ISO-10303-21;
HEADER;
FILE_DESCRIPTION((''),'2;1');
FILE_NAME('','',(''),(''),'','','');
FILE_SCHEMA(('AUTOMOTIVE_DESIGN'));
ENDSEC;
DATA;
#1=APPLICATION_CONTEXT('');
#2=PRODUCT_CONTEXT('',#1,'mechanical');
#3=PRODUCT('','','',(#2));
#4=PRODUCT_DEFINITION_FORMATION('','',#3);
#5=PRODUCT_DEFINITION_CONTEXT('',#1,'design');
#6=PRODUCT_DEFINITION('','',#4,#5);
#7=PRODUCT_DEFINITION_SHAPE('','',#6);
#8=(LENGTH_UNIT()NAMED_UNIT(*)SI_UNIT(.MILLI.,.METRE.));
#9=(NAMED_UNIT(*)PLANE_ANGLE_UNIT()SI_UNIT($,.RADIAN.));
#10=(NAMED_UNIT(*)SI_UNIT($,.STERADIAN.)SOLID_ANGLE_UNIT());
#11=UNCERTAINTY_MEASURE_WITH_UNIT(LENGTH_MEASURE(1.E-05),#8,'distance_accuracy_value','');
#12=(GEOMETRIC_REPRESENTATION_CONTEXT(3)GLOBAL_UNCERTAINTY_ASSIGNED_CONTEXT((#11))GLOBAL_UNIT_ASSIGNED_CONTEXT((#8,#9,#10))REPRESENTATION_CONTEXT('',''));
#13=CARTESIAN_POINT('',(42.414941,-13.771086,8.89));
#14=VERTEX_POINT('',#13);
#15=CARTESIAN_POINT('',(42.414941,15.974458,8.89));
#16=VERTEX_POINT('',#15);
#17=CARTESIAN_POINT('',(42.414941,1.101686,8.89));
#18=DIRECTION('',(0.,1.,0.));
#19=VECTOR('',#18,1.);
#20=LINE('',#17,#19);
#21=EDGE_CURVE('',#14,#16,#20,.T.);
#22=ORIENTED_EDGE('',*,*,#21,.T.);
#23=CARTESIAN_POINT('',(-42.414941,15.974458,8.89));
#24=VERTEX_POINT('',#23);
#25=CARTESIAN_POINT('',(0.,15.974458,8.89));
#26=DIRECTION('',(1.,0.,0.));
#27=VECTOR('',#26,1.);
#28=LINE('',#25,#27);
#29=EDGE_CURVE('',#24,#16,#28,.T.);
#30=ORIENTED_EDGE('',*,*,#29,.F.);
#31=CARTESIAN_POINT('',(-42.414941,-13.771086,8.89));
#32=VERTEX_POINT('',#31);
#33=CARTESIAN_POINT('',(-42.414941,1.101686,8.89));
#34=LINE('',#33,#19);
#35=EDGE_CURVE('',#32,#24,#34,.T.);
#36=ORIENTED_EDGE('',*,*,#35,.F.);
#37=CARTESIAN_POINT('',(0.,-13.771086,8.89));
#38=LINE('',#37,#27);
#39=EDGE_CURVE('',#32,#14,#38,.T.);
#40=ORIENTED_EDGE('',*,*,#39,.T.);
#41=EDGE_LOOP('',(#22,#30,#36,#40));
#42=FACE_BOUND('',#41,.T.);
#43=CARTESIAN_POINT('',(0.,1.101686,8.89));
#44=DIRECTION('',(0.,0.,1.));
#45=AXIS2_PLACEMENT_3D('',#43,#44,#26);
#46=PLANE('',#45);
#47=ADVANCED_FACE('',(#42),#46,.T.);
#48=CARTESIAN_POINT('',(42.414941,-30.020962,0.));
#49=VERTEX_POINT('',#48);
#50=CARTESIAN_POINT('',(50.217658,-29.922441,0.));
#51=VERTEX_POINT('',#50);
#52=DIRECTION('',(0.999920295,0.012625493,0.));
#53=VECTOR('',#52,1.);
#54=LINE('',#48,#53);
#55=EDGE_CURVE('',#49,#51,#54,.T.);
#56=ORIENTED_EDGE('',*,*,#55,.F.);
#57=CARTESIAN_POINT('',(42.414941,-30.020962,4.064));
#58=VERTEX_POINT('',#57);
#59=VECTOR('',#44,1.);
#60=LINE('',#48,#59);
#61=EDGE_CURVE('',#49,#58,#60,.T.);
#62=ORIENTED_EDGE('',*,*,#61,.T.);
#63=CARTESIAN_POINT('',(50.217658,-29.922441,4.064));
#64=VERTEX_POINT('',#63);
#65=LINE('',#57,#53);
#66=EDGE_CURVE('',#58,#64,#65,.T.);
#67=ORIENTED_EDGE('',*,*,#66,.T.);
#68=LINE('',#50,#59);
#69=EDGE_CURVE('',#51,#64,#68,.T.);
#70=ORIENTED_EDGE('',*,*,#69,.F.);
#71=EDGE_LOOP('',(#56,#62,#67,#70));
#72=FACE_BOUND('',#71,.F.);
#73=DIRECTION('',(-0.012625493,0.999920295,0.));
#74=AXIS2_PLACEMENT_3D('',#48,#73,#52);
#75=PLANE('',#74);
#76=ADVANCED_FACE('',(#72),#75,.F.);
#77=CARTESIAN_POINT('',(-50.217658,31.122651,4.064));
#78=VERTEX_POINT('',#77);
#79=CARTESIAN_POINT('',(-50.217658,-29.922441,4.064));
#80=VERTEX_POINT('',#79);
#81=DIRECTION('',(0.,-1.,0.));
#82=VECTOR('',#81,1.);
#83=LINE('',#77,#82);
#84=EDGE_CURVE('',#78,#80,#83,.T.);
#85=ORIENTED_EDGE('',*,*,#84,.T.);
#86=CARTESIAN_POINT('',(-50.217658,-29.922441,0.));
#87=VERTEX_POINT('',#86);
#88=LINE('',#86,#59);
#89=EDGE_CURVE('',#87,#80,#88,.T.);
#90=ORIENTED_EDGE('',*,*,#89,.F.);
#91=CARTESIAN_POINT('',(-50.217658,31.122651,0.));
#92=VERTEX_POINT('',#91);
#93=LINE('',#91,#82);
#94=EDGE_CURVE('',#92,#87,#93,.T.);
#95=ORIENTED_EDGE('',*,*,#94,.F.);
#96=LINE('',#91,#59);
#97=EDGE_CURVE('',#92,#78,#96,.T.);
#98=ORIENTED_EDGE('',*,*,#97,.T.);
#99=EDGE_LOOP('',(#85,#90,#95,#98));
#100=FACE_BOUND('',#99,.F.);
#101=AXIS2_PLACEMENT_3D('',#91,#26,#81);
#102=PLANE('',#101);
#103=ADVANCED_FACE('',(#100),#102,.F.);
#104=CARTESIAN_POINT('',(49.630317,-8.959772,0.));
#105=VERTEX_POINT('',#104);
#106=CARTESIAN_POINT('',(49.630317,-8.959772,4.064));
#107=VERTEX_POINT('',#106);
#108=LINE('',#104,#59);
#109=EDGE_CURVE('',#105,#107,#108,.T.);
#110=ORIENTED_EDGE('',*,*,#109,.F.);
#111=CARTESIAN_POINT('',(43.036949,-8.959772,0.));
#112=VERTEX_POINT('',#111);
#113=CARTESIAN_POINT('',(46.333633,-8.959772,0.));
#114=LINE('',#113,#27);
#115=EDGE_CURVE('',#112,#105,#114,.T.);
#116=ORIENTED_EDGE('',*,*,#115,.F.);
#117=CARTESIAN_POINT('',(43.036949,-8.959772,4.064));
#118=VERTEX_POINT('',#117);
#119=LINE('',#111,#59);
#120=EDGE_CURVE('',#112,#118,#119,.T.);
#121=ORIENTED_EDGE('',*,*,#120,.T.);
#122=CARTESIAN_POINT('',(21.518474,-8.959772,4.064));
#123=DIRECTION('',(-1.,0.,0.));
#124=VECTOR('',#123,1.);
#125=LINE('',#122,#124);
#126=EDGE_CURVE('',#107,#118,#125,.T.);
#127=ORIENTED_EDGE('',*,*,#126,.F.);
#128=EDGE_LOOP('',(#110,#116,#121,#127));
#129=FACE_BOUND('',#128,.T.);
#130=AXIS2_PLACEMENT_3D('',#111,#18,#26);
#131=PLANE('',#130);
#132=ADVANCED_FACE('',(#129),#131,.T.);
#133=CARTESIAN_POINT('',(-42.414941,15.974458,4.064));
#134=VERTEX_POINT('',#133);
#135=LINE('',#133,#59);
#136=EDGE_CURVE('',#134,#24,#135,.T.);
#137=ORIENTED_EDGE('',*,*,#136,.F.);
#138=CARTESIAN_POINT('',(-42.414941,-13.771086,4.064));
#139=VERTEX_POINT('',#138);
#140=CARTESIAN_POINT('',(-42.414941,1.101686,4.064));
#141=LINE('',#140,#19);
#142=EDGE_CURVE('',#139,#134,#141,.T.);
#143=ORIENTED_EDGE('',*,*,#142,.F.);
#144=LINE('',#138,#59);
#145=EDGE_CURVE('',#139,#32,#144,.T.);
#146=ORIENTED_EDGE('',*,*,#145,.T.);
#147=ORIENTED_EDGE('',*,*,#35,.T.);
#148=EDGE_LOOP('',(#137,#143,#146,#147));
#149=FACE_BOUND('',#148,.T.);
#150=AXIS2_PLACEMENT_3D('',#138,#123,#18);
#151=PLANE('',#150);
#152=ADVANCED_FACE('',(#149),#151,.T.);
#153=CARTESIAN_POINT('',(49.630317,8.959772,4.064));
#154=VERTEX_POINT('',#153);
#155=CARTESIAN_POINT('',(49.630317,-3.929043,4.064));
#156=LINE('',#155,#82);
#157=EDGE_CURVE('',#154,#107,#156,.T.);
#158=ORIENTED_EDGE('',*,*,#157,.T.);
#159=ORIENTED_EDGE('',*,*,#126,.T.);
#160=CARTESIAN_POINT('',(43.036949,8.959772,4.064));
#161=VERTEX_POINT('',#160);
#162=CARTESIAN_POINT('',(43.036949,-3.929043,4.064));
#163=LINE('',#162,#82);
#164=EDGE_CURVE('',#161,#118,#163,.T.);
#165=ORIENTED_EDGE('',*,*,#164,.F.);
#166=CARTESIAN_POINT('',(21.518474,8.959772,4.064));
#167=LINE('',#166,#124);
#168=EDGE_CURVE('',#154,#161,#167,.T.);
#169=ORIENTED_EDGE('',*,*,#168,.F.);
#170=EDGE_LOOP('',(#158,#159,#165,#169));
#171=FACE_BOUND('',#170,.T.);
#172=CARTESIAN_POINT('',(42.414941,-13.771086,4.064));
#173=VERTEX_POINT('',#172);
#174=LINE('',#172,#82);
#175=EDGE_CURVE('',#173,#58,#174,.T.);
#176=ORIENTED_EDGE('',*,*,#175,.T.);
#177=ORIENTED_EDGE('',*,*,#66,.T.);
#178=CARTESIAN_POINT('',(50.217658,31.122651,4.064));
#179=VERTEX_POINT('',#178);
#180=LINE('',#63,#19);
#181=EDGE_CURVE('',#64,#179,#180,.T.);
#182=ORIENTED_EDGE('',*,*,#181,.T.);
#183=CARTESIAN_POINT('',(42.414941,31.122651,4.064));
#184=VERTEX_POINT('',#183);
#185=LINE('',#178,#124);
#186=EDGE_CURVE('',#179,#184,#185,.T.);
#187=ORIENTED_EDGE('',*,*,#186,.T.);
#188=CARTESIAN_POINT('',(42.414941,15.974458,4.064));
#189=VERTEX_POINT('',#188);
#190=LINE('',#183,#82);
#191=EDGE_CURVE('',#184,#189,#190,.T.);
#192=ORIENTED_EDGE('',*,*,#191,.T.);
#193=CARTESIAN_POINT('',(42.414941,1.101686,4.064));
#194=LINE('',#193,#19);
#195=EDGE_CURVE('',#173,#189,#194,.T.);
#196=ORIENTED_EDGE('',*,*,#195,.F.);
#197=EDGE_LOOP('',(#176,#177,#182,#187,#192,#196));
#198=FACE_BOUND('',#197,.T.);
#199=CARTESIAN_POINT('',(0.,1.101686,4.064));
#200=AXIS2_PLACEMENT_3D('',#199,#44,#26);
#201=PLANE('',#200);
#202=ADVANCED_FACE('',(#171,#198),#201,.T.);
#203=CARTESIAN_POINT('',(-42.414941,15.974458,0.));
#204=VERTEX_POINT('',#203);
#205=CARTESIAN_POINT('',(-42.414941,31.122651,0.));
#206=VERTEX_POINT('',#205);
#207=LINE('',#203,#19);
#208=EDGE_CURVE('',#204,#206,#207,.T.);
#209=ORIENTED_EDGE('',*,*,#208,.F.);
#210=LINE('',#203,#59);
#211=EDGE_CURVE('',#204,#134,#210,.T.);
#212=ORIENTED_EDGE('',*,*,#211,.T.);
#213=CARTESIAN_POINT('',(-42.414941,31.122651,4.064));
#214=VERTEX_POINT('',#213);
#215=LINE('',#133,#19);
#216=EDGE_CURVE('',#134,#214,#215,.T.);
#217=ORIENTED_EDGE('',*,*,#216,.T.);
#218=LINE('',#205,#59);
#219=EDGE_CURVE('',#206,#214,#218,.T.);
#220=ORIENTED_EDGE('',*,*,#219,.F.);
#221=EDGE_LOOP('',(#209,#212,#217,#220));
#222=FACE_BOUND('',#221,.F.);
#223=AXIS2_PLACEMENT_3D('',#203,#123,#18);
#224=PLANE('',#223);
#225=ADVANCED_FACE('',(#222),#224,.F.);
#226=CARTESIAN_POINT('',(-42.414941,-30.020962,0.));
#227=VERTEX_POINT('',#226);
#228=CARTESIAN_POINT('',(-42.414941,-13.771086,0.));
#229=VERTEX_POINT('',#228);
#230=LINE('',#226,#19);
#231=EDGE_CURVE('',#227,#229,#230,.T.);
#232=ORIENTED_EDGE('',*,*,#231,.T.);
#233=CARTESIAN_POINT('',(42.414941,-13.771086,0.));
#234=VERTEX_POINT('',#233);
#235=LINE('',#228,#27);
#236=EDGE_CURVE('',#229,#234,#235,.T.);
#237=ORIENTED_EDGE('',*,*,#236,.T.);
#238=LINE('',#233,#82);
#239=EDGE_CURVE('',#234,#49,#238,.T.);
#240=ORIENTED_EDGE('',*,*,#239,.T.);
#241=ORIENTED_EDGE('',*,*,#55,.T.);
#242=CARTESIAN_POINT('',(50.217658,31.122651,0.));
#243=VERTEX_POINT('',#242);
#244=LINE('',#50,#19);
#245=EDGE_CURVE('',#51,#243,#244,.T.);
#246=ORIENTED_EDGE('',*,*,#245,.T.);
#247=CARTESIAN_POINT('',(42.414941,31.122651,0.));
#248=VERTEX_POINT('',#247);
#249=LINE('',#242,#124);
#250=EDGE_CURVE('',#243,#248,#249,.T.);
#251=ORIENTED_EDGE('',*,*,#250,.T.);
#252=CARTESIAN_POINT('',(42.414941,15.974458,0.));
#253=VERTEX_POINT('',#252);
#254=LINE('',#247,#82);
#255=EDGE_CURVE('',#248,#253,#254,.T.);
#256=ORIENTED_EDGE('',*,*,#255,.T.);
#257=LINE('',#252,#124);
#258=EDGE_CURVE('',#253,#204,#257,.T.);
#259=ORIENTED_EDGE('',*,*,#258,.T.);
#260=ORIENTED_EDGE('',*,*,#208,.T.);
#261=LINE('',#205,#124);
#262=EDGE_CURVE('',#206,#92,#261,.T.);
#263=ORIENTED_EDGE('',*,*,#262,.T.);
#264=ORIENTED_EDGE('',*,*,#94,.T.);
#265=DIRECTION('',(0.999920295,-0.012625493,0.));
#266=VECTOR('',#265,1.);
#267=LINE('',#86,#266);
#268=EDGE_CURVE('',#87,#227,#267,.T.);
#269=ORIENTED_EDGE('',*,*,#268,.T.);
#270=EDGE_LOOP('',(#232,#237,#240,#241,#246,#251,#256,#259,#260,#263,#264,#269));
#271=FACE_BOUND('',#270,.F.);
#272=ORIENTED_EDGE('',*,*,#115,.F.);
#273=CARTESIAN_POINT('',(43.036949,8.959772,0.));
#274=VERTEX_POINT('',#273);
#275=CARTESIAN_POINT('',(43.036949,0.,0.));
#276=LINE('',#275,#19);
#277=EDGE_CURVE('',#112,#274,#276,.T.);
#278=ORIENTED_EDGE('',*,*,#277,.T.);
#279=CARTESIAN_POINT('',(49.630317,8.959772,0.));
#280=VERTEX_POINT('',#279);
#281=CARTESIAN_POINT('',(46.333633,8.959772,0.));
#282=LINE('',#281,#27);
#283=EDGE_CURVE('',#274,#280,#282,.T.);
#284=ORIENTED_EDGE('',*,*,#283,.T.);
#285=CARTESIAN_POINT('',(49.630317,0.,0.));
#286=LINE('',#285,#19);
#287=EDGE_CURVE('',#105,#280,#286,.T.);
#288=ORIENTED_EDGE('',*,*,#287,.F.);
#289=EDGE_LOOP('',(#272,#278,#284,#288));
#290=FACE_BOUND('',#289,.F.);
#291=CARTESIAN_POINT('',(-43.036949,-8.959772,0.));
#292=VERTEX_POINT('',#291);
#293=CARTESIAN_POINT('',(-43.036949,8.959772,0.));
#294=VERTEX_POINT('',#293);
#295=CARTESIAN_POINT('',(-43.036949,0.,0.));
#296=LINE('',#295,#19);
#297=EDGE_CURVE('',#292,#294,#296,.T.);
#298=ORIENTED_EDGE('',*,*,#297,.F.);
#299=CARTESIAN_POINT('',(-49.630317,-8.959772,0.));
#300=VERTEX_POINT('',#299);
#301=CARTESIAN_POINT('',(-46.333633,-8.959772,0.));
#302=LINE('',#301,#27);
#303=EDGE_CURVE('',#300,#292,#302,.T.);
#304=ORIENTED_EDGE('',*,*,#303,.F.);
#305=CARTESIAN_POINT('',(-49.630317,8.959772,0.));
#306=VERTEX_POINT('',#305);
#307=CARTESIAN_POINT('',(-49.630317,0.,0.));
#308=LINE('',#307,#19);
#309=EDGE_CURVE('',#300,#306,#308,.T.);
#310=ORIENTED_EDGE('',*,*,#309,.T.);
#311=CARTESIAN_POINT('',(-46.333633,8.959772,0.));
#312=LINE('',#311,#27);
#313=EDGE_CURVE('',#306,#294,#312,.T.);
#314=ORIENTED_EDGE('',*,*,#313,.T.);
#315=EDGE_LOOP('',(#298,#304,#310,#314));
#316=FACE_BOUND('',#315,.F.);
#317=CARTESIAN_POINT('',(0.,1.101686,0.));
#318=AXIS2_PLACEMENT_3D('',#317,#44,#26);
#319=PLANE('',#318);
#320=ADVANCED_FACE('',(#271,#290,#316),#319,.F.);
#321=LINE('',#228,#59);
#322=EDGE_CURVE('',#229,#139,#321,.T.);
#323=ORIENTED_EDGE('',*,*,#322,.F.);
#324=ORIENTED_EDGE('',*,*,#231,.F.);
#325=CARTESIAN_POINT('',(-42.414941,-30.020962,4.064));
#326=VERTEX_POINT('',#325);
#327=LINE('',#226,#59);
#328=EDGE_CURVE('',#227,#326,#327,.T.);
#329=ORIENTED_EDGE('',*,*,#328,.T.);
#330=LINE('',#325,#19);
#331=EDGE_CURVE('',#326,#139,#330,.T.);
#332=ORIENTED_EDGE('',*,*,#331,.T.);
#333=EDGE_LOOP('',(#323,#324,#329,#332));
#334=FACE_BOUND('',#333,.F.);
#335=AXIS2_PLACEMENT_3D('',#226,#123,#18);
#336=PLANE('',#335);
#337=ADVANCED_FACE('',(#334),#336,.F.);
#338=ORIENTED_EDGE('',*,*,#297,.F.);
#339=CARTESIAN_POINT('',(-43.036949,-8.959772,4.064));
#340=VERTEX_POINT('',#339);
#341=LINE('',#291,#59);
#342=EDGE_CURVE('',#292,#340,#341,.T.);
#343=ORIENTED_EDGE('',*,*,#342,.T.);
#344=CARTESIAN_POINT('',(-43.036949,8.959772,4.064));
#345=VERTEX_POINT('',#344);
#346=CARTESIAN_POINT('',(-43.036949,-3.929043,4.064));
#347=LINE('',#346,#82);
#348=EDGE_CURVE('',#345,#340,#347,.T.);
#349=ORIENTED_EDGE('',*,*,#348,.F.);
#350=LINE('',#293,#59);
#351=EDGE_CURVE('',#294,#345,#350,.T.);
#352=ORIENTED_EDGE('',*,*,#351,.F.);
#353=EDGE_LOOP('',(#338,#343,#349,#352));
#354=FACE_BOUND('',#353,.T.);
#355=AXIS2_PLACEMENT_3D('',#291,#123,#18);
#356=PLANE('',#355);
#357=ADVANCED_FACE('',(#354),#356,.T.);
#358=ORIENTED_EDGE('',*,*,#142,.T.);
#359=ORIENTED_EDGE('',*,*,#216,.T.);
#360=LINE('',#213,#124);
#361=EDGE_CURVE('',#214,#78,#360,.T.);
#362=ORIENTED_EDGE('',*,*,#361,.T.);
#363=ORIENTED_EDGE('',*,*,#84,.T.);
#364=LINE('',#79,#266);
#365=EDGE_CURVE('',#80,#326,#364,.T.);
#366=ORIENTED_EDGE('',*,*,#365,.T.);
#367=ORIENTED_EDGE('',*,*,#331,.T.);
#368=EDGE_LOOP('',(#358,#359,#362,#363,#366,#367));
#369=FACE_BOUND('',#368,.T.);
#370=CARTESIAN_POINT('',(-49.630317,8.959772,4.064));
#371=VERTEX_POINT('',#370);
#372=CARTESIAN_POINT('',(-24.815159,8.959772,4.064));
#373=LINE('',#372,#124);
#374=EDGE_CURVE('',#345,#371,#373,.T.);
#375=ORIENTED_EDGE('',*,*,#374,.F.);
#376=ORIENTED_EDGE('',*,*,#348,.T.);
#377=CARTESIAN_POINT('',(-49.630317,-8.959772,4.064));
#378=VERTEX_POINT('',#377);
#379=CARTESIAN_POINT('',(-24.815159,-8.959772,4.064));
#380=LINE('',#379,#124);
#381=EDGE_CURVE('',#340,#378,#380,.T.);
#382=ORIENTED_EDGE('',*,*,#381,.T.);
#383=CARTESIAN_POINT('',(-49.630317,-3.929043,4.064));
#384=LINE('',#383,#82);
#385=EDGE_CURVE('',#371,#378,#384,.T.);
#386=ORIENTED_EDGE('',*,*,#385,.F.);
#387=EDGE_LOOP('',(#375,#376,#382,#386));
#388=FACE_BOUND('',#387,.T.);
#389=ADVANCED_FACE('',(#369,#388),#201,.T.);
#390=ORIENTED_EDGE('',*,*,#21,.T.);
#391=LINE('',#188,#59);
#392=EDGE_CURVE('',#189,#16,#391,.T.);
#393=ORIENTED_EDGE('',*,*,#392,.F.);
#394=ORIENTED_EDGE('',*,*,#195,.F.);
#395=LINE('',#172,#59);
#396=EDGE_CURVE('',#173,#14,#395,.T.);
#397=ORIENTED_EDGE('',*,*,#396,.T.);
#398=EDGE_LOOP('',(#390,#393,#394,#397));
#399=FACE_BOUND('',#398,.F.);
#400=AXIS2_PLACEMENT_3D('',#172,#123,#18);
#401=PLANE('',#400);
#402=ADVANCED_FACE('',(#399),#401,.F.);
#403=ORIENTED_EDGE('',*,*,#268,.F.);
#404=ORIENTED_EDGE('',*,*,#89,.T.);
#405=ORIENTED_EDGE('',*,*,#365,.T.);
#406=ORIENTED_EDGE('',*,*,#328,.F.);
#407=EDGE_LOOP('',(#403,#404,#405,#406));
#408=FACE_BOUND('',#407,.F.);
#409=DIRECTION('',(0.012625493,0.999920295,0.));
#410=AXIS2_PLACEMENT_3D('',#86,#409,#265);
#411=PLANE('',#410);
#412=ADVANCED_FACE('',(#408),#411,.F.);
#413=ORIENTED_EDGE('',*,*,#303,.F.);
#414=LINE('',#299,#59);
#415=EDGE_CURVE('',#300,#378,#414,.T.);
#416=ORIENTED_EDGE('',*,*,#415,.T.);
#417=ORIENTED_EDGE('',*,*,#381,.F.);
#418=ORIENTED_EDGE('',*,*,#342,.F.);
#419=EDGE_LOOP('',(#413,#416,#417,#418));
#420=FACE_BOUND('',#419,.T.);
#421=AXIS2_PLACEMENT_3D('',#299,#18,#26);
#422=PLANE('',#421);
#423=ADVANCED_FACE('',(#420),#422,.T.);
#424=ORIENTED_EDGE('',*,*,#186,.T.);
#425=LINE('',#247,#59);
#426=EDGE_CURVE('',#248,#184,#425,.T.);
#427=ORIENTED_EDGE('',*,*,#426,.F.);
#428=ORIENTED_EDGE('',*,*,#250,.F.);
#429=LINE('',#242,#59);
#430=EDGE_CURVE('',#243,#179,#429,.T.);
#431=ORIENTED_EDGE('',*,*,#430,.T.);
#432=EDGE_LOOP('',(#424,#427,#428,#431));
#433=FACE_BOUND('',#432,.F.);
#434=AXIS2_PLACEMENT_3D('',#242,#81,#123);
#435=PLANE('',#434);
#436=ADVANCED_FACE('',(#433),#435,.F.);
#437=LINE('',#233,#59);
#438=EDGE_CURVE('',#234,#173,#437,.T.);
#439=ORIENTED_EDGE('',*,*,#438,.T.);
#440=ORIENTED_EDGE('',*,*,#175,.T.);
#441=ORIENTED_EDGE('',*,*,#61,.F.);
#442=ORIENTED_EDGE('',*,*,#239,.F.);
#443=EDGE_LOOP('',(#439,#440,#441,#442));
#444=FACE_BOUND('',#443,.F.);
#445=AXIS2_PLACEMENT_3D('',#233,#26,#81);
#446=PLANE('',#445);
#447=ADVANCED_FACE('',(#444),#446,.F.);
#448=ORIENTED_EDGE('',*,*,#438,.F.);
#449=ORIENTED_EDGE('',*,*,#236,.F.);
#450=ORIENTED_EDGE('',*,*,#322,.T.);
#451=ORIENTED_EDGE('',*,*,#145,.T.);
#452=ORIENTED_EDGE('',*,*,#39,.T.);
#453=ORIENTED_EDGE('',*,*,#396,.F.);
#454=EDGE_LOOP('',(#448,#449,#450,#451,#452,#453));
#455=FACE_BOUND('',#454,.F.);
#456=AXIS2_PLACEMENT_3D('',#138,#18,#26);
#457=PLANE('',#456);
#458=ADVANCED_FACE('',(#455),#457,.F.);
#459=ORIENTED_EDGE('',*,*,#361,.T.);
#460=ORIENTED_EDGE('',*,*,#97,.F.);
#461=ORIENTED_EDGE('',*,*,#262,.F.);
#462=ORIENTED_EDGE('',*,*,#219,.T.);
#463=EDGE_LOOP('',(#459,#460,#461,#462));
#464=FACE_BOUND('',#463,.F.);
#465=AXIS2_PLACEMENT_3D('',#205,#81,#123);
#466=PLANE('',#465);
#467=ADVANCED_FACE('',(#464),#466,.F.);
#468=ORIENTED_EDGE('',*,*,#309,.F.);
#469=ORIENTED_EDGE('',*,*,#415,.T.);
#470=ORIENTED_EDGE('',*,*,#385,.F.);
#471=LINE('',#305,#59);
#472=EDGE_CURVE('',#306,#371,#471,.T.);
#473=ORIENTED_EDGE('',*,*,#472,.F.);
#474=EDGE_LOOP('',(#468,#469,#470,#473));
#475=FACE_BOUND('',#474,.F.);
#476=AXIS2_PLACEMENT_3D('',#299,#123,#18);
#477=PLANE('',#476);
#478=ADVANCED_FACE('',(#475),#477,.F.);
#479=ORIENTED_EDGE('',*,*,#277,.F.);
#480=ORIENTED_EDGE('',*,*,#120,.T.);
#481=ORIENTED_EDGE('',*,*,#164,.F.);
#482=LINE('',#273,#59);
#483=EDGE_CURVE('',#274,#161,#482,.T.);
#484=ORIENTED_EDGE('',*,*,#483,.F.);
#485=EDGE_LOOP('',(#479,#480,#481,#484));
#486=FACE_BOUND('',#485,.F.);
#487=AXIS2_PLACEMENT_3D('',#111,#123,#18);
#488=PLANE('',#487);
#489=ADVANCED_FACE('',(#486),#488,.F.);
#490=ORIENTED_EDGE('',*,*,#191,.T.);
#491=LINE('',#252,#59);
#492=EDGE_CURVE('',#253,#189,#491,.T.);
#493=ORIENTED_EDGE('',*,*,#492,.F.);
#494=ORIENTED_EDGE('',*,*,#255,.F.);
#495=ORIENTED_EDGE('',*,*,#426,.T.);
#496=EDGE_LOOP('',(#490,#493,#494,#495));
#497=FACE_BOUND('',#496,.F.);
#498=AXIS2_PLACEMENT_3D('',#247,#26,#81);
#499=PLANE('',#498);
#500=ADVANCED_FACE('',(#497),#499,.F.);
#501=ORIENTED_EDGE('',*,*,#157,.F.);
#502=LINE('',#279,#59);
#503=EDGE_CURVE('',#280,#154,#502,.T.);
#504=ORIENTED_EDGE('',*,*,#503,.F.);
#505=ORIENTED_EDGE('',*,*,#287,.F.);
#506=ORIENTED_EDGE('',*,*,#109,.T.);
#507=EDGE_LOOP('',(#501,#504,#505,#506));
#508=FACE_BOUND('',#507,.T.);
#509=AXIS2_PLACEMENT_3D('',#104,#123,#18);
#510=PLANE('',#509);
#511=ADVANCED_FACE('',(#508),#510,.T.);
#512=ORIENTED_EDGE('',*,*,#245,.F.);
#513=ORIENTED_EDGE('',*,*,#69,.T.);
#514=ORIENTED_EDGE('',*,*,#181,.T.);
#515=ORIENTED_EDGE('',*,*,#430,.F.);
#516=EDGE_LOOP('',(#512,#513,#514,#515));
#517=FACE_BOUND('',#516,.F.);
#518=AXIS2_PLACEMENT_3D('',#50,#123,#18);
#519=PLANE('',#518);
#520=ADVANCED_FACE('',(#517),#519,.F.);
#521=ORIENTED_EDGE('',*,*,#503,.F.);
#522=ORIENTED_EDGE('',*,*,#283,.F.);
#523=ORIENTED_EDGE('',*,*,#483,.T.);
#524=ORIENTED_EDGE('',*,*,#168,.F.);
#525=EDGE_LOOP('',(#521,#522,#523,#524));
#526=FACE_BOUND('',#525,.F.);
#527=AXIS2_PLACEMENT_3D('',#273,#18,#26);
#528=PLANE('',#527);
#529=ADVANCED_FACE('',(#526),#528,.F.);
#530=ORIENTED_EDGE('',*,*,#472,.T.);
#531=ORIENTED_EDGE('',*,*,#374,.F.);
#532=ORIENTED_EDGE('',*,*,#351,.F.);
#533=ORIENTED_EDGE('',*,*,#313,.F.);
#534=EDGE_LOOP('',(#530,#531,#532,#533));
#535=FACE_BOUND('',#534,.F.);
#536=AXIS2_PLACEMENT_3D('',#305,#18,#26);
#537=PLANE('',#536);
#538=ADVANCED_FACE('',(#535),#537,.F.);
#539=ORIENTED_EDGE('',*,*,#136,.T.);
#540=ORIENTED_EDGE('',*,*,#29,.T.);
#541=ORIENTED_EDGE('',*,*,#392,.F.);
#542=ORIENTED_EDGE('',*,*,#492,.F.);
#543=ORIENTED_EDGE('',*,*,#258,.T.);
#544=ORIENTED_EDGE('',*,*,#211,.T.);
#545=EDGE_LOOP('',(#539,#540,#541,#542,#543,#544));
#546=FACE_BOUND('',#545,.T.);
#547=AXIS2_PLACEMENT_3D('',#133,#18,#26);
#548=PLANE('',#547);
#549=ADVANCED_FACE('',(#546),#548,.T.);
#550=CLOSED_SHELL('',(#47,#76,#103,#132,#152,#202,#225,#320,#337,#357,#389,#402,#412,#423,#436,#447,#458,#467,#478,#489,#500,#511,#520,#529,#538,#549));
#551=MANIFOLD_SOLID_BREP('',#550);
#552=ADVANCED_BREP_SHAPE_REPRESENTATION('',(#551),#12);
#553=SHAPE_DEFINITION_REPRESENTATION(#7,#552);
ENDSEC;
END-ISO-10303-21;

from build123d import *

# Parameters (mm, degrees)
F1_DEPTH = 4.064
F2_W     = 84.829882
F2_H     = 29.745544
F3_DEPTH = 4.826
F4_W     = 6.593369
F4_H     = 17.919544
F5_DEPTH = 27.94


with BuildPart() as f1:
    # F0 (on Top) → F1 (new body)
    with BuildSketch(Plane.XY):
        Polygon((42.414941, 15.974458), (0, 15.974458), (-42.414941, 15.974458), (-42.414941, -13.771086), (0, -13.771086), (42.414941, -13.771086), align=None)
        Polygon((-42.414941, -13.771086), (-42.414941, 15.974458), (-42.414941, 31.122651), (-50.217658, 31.122651), (-50.217658, -29.922441), (-42.414941, -30.020962), align=None)
        Polygon((42.414941, 31.122651), (42.414941, 15.974458), (42.414941, -13.771086), (42.414941, -30.020962), (50.217658, -29.922441), (50.217658, 31.122651), align=None)
    extrude(amount=F1_DEPTH)

    # F2 (on face) → F3 (join)
    with BuildSketch(Plane.XY.offset(4.064)):
        with Locations((0, 1.101686)):
            Rectangle(F2_W, F2_H)
    extrude(amount=F3_DEPTH)

    # F4 (on Top) → F5 (cut)
    with BuildSketch(Plane.XY):
        with Locations((46.333633, 0)):
            Rectangle(F4_W, F4_H)
        with Locations((-46.333633, 0)):
            Rectangle(F4_W, F4_H)
    extrude(amount=F5_DEPTH, mode=Mode.SUBTRACT)


solid = f1.part
